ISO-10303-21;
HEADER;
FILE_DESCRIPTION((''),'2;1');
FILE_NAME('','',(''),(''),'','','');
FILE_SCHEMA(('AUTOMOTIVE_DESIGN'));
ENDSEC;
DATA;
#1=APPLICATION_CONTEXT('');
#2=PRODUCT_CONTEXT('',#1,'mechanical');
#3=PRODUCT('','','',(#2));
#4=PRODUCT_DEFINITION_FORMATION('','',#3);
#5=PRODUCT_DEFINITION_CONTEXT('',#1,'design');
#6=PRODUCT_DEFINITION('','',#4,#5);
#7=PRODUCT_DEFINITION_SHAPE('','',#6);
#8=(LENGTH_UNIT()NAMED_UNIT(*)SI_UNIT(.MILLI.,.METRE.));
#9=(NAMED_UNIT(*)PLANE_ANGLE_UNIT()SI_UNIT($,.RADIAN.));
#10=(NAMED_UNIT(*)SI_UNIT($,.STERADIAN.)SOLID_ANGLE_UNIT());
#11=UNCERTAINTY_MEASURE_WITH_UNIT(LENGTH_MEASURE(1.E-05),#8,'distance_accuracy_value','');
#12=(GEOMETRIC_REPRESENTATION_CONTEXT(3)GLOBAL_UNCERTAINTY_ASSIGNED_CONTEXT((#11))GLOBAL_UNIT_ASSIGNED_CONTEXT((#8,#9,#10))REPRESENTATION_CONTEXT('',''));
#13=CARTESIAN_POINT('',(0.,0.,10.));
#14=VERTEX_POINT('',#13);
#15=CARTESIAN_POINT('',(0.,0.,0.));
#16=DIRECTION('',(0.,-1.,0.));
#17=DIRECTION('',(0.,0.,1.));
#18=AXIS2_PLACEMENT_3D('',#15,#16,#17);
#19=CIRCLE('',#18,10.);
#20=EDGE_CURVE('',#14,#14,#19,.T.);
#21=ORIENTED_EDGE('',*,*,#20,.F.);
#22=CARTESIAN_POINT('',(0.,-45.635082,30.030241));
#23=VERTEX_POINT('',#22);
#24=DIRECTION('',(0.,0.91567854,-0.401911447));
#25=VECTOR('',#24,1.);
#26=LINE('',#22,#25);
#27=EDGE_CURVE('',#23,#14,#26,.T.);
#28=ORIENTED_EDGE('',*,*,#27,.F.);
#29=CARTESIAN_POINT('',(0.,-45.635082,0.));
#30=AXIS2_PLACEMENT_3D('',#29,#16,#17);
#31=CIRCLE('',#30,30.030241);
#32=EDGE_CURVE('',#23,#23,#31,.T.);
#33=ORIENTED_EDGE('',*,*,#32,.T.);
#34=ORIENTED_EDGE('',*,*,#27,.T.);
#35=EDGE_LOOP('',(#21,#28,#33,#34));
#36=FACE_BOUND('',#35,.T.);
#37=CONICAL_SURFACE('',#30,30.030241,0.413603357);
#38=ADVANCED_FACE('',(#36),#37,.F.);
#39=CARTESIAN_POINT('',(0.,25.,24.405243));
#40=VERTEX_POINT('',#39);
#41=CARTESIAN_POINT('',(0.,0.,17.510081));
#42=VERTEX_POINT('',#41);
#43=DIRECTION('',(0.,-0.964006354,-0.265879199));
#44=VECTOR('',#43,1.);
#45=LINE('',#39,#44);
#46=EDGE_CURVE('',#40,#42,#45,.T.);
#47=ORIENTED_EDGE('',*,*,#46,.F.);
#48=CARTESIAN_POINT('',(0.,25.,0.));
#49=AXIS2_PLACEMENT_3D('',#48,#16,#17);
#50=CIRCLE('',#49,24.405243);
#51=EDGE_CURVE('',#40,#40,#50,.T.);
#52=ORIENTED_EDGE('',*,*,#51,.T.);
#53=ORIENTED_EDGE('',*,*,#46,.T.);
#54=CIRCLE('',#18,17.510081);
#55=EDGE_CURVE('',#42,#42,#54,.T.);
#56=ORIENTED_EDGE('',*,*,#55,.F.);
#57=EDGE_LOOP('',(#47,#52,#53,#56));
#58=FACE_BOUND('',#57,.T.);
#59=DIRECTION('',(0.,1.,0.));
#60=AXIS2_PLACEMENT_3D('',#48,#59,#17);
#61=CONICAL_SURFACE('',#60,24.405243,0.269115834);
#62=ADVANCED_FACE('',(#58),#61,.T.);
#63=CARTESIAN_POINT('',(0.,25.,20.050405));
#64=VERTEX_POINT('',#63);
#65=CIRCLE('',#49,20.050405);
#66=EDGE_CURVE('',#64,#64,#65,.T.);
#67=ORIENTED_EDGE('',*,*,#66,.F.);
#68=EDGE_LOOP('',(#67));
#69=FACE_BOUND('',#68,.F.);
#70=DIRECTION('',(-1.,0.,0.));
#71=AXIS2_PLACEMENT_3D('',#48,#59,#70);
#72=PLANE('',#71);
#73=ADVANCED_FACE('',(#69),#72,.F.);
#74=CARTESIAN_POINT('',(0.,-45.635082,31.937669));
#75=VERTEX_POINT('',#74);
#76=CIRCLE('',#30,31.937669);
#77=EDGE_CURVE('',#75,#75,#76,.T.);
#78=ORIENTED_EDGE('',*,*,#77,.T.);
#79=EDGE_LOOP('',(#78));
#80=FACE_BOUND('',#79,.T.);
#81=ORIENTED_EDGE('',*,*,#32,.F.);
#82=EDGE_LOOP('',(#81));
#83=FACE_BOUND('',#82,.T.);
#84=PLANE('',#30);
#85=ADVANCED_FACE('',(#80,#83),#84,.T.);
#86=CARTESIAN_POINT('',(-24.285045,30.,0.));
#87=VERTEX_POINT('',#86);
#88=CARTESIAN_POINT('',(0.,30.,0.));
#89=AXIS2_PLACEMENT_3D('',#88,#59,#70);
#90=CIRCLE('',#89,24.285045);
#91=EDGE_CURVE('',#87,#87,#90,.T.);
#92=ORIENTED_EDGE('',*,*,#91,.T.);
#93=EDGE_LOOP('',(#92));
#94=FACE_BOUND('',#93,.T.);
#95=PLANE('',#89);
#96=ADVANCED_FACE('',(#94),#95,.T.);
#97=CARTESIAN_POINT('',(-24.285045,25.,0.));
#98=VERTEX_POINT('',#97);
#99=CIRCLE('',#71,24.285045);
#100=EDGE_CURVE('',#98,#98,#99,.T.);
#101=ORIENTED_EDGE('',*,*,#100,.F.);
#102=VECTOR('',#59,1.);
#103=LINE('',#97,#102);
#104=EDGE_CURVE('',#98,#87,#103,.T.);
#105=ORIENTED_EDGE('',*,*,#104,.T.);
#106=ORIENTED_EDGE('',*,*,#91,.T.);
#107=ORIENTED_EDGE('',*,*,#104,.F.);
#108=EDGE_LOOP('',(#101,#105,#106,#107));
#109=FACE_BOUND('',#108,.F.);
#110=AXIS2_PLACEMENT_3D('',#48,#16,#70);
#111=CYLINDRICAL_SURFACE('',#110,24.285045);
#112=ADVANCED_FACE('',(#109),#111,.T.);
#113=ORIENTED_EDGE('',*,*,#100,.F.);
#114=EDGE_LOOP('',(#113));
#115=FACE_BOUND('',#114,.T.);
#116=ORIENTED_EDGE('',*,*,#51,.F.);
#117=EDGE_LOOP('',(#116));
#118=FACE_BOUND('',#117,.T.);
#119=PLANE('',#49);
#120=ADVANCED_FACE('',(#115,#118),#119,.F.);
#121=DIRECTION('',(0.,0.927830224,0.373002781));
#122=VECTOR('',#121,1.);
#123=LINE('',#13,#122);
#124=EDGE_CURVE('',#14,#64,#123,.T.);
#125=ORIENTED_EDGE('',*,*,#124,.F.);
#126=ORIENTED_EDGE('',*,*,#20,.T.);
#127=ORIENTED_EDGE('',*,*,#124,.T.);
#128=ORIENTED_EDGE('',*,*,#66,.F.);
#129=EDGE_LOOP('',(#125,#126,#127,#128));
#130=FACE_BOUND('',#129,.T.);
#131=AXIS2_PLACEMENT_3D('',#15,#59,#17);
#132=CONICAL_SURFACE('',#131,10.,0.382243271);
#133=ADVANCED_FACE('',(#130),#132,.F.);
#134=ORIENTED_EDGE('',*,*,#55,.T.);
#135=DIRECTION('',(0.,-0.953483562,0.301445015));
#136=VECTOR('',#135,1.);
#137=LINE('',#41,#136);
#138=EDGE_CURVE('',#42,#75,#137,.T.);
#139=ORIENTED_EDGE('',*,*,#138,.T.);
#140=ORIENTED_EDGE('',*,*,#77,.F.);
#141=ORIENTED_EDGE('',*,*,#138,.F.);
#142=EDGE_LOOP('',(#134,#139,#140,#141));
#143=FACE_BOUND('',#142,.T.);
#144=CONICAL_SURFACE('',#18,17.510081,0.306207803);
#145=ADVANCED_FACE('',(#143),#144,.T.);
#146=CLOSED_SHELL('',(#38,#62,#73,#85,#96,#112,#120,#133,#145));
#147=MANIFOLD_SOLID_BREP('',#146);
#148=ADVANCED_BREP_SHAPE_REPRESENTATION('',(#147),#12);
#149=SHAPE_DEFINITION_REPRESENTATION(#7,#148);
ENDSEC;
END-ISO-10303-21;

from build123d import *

# Parameters (mm, degrees)
F3_R     = 24.285045
F4_DEPTH = 5


with BuildPart() as f1:
    # F0 (on Right) → F1 (revolve)
    with BuildSketch(Plane.YZ):
        Polygon((0, 10), (25, 20.050405), (25, 24.405243), (0, 17.510081), (-45.635082, 31.937669), (-45.635082, 30.030241), align=None)
    revolve(axis=Axis((0, -13.200605, 0), (0, -1, 0)))

    # F3 (on face) → F4 (join)
    with BuildSketch(Plane(origin=(0, 25, 0), x_dir=(-1, 0, 0), z_dir=(0, 1, 0))):
        Circle(F3_R)
    extrude(amount=F4_DEPTH)


solid = f1.part
